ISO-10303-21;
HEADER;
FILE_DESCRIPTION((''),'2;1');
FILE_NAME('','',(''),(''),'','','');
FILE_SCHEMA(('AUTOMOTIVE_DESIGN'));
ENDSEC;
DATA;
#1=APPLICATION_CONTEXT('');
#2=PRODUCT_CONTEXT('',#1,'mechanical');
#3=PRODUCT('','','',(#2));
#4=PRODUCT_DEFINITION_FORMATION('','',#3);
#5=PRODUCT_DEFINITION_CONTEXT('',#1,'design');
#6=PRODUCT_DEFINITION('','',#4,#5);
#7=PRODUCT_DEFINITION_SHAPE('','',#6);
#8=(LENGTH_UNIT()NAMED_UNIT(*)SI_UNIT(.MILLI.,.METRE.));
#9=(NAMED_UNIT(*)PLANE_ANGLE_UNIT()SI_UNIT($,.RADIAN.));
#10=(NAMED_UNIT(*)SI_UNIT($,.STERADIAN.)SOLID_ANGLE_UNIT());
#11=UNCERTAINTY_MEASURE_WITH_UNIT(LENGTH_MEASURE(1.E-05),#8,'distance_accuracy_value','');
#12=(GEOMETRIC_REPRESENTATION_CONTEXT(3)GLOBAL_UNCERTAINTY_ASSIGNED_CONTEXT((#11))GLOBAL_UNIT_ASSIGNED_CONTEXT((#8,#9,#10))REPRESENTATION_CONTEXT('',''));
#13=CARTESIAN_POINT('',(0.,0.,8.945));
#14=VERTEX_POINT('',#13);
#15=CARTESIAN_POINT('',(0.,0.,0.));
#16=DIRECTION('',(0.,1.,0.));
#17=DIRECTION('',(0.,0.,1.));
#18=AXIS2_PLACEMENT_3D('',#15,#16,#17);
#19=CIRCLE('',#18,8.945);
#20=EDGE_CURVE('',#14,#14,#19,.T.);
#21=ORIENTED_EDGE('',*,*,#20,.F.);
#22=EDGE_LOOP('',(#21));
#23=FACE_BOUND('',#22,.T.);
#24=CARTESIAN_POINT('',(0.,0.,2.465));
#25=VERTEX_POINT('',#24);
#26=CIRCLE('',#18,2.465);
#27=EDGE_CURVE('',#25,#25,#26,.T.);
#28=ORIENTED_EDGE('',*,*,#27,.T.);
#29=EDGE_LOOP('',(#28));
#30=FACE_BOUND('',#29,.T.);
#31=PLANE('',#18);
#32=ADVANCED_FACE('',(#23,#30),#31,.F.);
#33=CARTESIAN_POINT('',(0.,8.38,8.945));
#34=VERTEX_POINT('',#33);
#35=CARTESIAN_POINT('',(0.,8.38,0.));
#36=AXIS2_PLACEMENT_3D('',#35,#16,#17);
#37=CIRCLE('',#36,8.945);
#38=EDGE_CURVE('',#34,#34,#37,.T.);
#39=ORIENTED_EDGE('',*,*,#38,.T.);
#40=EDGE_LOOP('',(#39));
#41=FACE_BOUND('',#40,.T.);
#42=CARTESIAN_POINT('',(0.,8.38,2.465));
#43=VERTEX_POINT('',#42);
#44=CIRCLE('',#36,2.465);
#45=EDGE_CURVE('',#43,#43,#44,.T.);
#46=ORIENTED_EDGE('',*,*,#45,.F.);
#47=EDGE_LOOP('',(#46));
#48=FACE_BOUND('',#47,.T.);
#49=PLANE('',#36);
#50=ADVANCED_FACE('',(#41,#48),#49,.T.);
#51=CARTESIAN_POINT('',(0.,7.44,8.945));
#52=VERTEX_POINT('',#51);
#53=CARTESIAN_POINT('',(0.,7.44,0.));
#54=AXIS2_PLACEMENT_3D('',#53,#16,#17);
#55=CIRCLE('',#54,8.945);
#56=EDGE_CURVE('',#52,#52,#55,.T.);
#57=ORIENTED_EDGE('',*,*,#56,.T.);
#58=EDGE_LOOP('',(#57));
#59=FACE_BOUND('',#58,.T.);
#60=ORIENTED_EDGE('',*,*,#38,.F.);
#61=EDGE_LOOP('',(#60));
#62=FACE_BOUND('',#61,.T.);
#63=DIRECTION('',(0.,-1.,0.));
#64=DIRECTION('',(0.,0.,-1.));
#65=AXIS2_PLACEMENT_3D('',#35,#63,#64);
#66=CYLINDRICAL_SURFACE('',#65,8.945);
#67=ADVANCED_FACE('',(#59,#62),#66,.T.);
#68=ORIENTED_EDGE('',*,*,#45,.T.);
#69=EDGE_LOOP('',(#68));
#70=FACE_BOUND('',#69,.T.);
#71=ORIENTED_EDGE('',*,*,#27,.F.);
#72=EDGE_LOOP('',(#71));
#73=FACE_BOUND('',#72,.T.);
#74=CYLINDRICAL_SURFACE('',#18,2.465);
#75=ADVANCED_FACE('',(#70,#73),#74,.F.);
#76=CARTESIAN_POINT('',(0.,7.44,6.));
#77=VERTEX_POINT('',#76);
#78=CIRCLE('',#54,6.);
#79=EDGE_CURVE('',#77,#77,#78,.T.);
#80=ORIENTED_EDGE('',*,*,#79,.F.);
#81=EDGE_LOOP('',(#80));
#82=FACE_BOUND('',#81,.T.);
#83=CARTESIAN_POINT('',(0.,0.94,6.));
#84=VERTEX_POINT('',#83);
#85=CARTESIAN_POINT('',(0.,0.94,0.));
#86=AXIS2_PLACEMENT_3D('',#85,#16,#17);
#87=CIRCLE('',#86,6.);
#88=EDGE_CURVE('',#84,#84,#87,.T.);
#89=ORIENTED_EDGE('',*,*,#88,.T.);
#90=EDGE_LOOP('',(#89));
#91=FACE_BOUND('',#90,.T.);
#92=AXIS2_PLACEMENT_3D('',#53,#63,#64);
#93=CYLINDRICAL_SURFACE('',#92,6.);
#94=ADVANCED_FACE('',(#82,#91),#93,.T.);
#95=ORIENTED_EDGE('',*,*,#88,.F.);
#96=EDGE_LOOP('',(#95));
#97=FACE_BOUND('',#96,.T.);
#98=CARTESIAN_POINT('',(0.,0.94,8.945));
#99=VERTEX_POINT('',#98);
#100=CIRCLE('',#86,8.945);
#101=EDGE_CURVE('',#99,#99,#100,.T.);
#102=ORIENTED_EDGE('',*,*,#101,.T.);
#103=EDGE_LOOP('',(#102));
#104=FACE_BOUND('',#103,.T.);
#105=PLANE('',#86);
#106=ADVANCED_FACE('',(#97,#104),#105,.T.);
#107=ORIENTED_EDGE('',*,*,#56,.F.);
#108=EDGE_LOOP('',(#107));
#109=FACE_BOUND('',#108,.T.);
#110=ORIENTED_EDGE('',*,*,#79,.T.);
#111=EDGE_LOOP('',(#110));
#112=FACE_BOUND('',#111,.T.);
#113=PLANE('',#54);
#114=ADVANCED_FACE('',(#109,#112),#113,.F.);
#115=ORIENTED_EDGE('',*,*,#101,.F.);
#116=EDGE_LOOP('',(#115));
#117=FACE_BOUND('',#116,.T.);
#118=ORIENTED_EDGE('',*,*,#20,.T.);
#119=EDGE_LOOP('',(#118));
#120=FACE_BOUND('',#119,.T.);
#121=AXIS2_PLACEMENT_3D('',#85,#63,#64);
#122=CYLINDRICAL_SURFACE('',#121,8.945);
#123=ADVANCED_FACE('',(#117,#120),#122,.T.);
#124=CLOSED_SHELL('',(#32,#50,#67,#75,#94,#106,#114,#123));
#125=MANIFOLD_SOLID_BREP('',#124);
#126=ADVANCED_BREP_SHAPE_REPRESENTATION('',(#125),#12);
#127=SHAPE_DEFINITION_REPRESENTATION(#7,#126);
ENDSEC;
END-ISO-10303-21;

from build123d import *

# Parameters (mm, degrees)
SKETCH1_R           = 8.945
BOSS_EXTRUDE1_DEPTH = 0.94
SKETCH2_R           = 6
BOSS_EXTRUDE2_DEPTH = 6.5
SKETCH3_R           = 8.945
BOSS_EXTRUDE3_DEPTH = 0.94
SKETCH4_R           = 2.465
CUT_EXTRUDE1_DEPTH  = 9.38


with BuildPart() as part:
    # Sketch1 → Boss-Extrude1 (new body)
    with BuildSketch(Plane(origin=(0, 0, 0), x_dir=(1, 0, 0), z_dir=(0, 1, 0))):
        Circle(SKETCH1_R)
    extrude(amount=BOSS_EXTRUDE1_DEPTH)

    # Sketch2 → Boss-Extrude2 (add)
    with BuildSketch(Plane(origin=(0, 0.94, 0), x_dir=(1, 0, 0), z_dir=(0, 1, 0))):
        Circle(SKETCH2_R)
    extrude(amount=BOSS_EXTRUDE2_DEPTH)

    # Sketch3 → Boss-Extrude3 (add)
    with BuildSketch(Plane(origin=(0, 7.44, 0), x_dir=(1, 0, 0), z_dir=(0, 1, 0))):
        Circle(SKETCH3_R)
    extrude(amount=BOSS_EXTRUDE3_DEPTH)

    # Sketch4 → Cut-Extrude1 (cut, through all)
    with BuildSketch(Plane(origin=(0, 8.38, 0), x_dir=(1, 0, 0), z_dir=(0, 1, 0))):
        Circle(SKETCH4_R)
    extrude(amount=-CUT_EXTRUDE1_DEPTH, mode=Mode.SUBTRACT)


solid = part.part
